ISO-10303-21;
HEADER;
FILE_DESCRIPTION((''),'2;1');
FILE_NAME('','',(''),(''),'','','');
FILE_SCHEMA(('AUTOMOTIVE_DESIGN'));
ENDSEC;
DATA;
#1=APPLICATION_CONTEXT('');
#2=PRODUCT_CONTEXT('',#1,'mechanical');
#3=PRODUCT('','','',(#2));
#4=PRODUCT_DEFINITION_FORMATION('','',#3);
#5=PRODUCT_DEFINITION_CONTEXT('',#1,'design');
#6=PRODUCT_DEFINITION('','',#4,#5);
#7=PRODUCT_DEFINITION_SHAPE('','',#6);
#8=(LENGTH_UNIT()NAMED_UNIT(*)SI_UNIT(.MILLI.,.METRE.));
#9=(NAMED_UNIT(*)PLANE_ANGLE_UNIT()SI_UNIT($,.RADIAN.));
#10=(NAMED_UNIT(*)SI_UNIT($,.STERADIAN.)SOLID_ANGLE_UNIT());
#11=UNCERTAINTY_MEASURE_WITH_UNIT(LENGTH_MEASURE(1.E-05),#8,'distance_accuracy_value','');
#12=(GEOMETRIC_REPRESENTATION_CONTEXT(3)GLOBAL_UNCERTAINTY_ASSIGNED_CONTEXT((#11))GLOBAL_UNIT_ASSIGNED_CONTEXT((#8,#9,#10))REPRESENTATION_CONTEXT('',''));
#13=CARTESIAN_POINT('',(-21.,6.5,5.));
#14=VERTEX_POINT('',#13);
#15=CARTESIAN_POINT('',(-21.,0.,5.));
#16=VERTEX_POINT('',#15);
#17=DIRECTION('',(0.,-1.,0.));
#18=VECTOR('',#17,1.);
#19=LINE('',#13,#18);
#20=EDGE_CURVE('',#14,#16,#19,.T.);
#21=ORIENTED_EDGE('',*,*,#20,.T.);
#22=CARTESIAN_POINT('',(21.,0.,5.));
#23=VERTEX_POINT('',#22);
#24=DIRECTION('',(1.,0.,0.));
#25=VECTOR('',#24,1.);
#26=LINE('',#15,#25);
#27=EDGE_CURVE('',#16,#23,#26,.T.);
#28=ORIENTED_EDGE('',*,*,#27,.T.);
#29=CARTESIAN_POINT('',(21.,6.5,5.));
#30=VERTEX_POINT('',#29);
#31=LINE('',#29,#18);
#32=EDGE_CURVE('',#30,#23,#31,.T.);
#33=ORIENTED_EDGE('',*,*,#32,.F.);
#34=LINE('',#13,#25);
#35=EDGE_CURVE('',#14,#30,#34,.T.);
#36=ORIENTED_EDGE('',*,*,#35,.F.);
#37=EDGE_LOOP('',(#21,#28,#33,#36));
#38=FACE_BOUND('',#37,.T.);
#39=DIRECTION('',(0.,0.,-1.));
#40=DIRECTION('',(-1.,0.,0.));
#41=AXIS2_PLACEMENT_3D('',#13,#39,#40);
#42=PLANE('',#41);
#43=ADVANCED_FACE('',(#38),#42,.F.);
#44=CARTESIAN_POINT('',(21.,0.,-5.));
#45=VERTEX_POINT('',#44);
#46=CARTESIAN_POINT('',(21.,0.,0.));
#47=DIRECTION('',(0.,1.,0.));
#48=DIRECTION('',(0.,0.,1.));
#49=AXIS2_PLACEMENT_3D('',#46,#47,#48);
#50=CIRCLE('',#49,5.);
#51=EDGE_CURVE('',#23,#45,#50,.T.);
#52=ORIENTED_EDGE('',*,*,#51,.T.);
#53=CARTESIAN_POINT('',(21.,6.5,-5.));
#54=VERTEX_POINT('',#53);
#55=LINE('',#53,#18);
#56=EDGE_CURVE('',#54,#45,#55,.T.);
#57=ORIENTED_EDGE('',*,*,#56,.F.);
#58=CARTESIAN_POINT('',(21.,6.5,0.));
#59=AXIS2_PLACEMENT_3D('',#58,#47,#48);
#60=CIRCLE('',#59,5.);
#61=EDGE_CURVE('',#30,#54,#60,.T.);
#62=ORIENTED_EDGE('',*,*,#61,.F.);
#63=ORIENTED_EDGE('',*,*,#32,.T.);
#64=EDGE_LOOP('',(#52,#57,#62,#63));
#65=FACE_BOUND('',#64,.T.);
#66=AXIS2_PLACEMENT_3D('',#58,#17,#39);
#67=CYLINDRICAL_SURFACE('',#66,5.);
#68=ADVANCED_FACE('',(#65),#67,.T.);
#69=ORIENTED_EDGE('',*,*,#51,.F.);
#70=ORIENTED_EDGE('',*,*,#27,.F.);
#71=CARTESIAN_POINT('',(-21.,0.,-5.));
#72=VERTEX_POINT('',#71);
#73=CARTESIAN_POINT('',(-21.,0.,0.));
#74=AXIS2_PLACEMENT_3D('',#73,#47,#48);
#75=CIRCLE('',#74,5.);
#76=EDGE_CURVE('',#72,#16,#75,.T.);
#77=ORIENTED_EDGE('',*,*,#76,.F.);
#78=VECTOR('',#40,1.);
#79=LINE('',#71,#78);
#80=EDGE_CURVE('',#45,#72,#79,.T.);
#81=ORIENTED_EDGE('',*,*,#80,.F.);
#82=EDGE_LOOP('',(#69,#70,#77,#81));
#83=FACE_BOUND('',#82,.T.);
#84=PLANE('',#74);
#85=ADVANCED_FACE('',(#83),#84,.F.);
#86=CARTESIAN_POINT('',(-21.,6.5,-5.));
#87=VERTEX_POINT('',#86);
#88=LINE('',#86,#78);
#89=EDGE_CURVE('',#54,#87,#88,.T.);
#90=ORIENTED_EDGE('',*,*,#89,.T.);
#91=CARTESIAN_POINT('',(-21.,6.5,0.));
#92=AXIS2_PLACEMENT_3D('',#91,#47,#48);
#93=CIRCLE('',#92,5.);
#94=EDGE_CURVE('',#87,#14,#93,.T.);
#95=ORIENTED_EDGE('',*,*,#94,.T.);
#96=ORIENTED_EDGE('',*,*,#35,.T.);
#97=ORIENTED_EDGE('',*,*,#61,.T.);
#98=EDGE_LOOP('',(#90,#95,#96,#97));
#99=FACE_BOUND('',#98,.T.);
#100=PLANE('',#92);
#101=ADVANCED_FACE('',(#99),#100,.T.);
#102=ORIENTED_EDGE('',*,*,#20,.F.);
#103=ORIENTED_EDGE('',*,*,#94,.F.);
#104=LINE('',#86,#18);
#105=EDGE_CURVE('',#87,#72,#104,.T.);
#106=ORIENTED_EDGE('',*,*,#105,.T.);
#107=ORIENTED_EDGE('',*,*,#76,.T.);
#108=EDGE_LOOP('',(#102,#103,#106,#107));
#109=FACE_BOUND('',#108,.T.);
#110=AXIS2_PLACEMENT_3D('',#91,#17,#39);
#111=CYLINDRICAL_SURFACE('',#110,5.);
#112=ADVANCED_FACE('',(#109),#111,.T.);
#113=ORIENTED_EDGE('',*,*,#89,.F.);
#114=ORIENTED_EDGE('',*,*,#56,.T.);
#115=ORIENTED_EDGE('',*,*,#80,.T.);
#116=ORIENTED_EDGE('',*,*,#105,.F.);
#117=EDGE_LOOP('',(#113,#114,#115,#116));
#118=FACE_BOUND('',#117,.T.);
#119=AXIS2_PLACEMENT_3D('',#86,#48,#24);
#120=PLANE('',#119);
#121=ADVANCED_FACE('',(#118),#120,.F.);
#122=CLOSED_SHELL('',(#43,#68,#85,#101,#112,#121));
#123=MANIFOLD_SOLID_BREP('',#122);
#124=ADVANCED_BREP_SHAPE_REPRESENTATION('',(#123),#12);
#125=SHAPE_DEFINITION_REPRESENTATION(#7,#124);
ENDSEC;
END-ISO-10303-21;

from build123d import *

# Parameters (mm, degrees)
BOSS_EXTRUDE1_DEPTH = 6.5


with BuildPart() as part:
    # Sketch1 → Boss-Extrude1 (new body)
    with BuildSketch(Plane(origin=(0, 0, 0), x_dir=(1, 0, 0), z_dir=(0, 1, 0))):
        with BuildLine():
            Line((-21, 5), (21, 5))
            ThreePointArc((21, 5), (26, 0), (21, -5))
            Line((21, -5), (-21, -5))
            ThreePointArc((-21, -5), (-26, 0), (-21, 5))
        make_face()
    extrude(amount=BOSS_EXTRUDE1_DEPTH)


solid = part.part
